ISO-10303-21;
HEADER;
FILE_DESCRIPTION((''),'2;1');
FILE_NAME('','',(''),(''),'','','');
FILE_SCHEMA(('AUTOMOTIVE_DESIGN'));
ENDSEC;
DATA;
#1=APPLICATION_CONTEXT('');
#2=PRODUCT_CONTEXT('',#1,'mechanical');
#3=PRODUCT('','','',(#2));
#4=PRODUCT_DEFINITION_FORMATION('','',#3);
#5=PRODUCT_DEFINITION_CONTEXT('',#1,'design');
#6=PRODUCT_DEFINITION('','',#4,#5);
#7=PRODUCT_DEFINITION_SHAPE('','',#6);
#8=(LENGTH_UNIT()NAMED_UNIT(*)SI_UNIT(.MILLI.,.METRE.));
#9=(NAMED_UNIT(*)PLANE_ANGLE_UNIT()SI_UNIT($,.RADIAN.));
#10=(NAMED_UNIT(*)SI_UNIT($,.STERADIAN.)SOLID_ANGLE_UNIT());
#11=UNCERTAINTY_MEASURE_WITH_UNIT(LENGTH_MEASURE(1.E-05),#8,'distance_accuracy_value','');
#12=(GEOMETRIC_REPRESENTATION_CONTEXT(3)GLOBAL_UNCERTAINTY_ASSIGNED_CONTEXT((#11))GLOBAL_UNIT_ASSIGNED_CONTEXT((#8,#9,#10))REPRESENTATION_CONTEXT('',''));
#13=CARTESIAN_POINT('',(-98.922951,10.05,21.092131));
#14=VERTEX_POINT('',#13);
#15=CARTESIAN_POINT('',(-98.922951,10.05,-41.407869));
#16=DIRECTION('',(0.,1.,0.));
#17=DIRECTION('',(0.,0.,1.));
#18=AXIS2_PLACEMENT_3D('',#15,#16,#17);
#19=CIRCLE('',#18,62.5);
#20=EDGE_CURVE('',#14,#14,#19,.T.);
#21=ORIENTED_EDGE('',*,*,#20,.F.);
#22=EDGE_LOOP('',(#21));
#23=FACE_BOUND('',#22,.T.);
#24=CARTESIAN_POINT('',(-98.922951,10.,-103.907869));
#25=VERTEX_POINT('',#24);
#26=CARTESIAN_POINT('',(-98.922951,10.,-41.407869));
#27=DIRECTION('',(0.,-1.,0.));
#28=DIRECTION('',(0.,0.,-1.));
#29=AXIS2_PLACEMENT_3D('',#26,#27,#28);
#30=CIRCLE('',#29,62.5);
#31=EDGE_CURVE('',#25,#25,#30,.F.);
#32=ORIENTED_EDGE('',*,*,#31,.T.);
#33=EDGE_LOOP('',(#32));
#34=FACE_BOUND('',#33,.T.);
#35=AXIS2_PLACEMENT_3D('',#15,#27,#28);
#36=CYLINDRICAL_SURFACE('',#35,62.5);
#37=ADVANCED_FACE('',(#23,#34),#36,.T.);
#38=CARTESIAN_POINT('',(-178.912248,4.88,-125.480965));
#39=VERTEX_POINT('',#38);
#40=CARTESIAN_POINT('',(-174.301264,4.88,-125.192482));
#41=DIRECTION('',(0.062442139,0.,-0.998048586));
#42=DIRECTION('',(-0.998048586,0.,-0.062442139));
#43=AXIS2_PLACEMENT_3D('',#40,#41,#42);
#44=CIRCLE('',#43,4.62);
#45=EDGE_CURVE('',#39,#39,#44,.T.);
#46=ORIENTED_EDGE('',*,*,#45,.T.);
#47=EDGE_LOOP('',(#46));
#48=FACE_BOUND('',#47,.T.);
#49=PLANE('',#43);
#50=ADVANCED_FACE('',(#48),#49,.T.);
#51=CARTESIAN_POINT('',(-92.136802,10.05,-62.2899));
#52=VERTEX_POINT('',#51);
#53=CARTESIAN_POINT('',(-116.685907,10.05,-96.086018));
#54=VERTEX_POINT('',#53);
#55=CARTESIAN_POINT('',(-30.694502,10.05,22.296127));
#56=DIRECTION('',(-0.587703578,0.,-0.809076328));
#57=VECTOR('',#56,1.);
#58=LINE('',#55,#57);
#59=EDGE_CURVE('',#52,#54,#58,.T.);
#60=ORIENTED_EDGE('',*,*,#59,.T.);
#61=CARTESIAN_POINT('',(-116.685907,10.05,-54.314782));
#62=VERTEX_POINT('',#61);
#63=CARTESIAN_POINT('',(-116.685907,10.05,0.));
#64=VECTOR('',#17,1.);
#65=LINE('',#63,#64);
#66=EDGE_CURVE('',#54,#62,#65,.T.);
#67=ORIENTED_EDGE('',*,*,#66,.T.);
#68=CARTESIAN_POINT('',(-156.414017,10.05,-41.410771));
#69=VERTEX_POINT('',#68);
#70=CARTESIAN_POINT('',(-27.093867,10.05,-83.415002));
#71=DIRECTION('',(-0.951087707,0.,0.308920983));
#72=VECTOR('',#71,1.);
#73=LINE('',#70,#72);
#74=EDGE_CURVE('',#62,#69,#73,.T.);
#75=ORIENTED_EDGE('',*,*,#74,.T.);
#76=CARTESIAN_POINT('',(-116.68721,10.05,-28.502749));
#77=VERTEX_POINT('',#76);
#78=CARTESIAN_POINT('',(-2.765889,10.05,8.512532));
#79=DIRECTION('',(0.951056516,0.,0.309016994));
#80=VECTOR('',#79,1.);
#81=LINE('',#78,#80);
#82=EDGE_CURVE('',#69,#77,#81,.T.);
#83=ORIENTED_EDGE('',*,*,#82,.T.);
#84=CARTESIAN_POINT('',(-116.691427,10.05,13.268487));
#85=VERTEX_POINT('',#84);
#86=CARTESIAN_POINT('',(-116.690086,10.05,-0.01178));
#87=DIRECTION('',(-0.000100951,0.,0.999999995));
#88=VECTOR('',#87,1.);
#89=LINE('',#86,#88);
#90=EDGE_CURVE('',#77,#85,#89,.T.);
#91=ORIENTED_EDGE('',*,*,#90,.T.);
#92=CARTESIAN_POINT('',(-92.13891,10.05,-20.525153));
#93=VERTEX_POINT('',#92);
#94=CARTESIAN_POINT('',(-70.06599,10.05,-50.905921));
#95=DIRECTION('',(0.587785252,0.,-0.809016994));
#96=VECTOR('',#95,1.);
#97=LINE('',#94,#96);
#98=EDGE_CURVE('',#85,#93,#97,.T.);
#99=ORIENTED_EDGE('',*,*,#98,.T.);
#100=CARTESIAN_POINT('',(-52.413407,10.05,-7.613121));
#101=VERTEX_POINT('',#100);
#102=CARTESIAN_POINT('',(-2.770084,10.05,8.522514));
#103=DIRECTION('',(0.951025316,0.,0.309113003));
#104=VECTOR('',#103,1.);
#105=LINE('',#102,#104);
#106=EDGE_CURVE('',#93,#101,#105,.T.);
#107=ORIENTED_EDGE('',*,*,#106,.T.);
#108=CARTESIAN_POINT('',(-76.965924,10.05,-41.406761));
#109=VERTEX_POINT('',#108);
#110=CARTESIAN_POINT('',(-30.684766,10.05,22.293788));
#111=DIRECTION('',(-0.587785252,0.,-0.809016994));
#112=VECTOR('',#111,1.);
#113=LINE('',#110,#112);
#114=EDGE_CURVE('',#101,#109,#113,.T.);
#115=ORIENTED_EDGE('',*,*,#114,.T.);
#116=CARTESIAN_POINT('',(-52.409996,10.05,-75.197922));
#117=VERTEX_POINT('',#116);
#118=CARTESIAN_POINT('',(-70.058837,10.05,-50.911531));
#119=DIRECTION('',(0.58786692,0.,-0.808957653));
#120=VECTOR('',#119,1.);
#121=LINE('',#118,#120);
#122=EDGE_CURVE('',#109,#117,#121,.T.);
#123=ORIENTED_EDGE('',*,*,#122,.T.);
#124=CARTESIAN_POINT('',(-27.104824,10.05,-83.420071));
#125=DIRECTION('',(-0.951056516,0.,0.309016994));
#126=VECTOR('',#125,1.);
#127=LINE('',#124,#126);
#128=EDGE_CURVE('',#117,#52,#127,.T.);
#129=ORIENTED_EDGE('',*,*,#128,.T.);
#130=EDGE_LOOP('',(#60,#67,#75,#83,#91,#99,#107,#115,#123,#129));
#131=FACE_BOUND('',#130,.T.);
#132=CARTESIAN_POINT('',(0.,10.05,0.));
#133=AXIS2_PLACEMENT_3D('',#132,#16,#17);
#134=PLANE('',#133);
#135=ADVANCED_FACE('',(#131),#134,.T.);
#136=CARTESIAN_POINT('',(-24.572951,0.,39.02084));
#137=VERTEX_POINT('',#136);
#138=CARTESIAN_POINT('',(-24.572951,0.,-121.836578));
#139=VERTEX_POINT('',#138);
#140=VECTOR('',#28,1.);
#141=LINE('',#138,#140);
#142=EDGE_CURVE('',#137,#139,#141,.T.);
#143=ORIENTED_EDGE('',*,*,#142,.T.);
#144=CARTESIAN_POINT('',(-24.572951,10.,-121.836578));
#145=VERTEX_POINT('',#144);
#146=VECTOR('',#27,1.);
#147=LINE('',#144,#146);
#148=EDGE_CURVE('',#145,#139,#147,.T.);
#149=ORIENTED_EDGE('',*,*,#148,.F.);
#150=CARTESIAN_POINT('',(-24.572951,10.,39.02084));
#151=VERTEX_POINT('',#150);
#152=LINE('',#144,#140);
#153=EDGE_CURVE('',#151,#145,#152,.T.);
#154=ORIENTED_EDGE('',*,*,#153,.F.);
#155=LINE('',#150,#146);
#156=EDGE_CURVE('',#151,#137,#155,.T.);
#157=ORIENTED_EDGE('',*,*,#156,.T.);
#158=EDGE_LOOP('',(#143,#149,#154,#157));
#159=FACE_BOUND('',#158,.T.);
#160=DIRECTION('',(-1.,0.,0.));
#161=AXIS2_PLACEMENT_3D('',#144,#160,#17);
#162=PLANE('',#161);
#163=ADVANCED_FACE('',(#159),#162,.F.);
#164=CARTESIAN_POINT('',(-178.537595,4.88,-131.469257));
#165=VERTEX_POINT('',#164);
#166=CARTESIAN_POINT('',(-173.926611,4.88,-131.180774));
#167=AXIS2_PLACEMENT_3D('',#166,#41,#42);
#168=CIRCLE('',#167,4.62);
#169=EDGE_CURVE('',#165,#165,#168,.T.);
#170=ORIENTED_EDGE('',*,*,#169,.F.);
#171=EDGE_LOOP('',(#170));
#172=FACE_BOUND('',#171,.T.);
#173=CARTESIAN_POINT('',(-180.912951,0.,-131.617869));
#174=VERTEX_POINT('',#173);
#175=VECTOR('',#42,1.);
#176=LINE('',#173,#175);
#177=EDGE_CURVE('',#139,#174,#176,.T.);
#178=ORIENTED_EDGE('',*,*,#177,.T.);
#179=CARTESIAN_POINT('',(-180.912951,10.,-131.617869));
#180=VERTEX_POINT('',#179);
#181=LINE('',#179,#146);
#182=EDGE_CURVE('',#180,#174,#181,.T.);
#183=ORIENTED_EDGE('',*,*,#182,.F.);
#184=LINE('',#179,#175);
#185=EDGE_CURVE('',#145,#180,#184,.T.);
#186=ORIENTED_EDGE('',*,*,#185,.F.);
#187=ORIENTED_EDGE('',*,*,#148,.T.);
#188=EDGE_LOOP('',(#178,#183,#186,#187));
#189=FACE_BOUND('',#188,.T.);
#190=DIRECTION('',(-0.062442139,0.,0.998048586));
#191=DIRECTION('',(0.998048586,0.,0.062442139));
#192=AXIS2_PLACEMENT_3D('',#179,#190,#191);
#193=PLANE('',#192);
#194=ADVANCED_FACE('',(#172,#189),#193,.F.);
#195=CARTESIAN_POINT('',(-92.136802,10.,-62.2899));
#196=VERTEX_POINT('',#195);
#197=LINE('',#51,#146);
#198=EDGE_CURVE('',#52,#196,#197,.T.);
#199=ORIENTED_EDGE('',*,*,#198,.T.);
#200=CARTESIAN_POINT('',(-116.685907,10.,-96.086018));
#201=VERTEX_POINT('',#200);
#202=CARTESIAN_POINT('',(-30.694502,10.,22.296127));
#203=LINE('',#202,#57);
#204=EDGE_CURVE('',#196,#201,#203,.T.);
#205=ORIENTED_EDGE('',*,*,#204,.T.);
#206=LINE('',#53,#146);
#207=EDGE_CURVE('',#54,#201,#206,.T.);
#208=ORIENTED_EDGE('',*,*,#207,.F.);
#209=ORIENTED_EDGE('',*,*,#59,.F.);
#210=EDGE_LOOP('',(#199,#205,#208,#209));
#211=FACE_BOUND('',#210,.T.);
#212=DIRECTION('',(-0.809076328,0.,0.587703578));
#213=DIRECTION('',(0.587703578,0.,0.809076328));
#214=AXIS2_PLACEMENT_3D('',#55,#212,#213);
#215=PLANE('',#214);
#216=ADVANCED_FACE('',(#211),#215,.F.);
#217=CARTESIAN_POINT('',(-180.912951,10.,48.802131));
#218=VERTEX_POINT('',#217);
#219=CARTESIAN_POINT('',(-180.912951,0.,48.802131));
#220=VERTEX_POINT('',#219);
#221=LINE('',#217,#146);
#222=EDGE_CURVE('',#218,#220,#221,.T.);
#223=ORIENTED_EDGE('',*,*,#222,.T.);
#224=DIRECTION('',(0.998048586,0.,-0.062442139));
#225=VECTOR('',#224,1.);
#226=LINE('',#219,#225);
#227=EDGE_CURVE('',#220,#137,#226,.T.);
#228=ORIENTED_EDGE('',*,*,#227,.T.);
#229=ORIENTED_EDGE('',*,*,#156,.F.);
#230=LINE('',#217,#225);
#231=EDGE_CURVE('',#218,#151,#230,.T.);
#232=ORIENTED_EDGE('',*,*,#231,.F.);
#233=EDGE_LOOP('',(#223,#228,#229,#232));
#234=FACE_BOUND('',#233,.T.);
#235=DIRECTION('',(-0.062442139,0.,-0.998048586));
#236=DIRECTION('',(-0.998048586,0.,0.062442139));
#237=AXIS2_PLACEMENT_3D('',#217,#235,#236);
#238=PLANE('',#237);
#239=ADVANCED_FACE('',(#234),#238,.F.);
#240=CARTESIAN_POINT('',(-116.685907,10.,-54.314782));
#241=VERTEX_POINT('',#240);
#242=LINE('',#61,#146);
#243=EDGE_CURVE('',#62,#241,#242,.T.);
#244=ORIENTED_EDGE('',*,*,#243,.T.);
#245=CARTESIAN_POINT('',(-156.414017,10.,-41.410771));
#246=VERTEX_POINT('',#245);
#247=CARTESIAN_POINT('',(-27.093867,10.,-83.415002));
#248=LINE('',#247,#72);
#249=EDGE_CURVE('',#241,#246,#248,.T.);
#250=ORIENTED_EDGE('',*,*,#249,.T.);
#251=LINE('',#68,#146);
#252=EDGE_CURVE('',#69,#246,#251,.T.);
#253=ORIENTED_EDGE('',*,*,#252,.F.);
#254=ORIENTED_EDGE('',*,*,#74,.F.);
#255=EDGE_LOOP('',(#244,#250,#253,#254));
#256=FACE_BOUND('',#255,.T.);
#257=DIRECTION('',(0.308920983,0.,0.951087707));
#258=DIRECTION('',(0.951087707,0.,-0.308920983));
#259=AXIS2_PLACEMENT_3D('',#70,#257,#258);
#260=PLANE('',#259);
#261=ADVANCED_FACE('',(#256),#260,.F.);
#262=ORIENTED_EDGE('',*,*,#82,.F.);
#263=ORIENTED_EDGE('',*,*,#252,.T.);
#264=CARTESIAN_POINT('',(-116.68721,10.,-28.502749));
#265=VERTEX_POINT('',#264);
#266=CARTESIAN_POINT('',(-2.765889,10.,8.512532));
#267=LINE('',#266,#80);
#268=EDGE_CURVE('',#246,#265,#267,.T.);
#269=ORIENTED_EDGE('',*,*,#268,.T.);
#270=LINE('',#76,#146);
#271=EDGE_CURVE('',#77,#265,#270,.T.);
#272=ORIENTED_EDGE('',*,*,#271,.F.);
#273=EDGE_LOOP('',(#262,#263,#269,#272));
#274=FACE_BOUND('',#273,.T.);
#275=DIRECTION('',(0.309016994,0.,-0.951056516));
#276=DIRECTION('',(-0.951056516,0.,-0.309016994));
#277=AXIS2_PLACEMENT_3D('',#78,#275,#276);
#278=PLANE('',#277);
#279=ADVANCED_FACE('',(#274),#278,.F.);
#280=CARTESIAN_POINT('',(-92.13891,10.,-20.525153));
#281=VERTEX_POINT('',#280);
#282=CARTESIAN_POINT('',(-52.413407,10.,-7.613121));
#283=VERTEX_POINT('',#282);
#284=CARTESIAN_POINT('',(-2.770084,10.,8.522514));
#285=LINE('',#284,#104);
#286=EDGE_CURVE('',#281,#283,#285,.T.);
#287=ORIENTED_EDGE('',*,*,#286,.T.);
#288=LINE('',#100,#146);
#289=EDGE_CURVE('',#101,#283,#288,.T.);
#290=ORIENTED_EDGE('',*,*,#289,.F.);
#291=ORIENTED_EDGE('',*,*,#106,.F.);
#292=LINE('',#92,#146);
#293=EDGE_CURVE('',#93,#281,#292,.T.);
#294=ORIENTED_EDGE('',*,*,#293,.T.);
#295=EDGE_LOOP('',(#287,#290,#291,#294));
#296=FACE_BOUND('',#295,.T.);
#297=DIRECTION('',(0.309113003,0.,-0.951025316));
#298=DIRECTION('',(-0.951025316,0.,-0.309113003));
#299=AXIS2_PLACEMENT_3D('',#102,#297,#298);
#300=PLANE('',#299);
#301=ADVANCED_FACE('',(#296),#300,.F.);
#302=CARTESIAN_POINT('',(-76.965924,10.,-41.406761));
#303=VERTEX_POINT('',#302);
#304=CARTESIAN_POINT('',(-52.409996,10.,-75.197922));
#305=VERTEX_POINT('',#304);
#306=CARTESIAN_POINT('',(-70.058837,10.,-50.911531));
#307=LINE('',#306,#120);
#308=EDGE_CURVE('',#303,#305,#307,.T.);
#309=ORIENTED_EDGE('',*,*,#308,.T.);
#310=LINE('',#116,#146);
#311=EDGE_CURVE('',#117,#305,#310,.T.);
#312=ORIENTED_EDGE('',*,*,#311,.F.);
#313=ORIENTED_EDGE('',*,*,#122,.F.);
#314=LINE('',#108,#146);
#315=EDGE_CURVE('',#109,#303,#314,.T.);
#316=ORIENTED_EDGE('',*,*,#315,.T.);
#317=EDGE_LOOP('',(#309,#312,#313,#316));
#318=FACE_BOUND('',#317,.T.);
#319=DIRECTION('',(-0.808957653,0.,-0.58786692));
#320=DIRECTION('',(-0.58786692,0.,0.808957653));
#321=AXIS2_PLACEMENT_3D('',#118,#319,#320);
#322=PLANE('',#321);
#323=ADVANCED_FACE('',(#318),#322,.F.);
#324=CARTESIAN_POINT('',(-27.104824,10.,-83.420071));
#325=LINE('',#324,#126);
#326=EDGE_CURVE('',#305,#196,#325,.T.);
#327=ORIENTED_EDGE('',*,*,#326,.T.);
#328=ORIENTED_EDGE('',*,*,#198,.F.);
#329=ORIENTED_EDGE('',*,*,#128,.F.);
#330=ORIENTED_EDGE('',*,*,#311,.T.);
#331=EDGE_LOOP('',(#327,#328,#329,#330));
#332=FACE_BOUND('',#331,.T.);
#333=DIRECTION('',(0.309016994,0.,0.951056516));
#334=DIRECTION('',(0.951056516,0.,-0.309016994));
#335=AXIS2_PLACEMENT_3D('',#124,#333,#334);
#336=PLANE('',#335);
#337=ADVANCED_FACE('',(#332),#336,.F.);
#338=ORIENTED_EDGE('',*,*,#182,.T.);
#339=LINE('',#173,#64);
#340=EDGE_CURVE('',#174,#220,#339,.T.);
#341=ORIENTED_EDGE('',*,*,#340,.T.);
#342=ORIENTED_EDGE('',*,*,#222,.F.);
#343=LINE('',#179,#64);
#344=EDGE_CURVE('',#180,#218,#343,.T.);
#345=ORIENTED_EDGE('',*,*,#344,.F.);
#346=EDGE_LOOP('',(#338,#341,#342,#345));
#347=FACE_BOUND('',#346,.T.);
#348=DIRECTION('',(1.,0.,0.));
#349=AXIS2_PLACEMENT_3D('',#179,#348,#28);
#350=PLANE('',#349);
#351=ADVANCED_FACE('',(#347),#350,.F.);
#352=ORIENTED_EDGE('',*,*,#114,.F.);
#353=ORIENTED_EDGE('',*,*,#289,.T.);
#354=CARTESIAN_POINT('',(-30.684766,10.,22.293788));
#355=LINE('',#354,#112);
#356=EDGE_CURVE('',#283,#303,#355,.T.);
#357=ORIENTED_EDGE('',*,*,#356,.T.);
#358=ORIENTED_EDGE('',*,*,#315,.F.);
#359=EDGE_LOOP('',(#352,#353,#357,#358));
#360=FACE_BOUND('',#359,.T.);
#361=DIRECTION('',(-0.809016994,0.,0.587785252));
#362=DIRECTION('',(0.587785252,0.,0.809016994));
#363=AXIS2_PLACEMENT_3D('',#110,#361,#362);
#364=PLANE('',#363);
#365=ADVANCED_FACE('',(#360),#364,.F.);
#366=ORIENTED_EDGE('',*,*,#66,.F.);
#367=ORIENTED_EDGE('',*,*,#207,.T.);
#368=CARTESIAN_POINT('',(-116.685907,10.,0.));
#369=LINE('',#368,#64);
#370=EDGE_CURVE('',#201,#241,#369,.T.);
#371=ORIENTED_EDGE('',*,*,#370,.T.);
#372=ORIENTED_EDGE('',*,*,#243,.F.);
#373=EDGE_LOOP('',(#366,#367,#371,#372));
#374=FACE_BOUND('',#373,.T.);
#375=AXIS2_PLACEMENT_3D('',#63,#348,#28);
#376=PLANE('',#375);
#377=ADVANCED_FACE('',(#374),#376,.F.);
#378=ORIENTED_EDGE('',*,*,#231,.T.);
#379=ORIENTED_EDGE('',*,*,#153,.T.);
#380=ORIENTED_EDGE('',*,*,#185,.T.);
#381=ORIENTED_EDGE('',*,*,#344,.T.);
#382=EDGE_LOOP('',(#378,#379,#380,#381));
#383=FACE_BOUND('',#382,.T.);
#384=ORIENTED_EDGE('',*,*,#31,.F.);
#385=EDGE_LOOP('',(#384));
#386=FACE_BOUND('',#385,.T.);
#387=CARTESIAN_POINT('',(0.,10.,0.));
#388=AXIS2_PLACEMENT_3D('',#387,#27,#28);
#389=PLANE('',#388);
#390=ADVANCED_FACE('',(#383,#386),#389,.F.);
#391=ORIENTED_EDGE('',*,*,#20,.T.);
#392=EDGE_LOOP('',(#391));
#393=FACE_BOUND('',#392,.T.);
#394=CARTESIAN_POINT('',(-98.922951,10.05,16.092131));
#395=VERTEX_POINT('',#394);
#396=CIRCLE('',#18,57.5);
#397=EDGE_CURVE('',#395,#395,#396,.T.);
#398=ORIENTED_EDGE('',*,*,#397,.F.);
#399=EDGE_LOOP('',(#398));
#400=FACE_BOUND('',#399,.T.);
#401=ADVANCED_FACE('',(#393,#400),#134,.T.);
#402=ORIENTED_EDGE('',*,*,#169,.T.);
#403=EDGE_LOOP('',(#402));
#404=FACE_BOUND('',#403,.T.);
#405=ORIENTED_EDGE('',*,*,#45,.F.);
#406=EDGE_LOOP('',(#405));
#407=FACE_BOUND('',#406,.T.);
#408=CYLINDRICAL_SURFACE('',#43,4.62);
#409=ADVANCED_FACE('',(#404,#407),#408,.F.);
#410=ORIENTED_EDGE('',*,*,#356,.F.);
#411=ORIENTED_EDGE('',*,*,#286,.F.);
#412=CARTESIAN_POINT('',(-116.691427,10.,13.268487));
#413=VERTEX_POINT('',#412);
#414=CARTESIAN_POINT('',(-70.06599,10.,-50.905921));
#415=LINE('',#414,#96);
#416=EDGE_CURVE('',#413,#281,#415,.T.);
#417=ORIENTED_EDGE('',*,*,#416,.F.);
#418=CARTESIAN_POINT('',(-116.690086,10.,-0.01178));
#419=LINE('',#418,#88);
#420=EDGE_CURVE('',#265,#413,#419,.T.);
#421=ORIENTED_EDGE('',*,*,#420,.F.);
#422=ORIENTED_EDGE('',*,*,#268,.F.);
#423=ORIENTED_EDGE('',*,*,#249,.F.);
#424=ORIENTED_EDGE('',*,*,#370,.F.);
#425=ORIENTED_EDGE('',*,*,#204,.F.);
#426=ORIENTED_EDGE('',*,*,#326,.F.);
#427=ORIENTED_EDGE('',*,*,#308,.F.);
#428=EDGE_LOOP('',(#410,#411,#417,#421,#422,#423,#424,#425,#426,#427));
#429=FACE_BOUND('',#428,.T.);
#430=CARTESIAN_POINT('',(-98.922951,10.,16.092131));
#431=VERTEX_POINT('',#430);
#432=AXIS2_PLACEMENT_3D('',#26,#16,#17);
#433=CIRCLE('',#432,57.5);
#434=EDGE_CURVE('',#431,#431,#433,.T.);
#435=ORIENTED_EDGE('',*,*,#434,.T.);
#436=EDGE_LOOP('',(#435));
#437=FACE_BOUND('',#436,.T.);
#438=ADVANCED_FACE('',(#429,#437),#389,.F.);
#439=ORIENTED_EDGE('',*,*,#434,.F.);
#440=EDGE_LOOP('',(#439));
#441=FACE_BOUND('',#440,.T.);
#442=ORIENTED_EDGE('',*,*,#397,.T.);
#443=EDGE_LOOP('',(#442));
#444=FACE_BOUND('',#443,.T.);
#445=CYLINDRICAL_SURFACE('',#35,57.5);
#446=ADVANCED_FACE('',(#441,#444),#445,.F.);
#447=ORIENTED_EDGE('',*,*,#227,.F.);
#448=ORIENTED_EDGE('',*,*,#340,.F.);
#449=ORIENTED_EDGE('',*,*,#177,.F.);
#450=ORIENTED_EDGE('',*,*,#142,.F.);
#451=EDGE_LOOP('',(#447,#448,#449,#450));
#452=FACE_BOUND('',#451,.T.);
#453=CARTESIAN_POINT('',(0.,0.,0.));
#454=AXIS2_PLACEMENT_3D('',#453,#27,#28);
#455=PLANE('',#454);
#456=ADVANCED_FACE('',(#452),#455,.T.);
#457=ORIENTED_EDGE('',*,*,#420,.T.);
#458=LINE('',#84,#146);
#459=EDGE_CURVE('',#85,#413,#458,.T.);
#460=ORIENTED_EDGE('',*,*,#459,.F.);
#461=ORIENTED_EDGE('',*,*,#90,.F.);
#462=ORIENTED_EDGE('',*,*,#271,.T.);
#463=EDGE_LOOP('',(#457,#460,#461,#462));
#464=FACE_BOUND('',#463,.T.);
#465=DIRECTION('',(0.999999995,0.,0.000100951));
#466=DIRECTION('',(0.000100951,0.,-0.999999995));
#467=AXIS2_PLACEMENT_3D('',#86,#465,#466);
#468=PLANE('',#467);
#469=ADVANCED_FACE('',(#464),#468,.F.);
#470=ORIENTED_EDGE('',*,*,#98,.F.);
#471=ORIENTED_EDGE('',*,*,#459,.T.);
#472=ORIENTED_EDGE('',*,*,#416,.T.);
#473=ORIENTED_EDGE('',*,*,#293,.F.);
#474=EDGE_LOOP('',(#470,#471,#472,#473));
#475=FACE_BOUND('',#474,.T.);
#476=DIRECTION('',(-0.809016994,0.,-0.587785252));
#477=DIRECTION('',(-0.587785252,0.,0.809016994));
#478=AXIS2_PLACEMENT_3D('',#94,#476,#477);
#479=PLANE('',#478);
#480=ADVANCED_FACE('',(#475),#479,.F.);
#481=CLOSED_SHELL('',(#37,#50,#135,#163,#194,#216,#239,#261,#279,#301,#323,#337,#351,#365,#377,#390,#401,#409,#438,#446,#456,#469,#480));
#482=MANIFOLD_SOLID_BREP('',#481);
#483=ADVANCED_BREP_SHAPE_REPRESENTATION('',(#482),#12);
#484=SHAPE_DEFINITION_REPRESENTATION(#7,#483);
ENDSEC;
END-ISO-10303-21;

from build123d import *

# Parameters (mm, degrees)
BOSS_EXTRUDE1_DEPTH = 10
SKETCH3_R           = 4.62
CUT_EXTRUDE3_DEPTH  = 6
SKETCH4_R           = 62.5
SKETCH4_R_2         = 57.5
BOSS_EXTRUDE2_DEPTH = 0.05


with BuildPart() as part:
    # Sketch1 → Boss-Extrude1 (new body)
    with BuildSketch(Plane(origin=(0, 0, 0), x_dir=(1, 0, 0), z_dir=(0, 1, 0))):
        Polygon((-180.91295082, 131.617868852), (-180.91295082, -48.802131148), (-24.57295082, -39.020839837), (-24.57295082, 121.836577542), align=None)
    extrude(amount=BOSS_EXTRUDE1_DEPTH)

    # Sketch3 → Cut-Extrude3 (cut)
    with BuildSketch(Plane(origin=(7.497080179, 0, -119.83014083), x_dir=(-0.9980485856506585, 0, -0.062442138662287344), z_dir=(0.062442138662287344, 0, -0.9980485856506585))):
        with Locations((181.778415909, 4.88)):
            Circle(SKETCH3_R)
    extrude(amount=-CUT_EXTRUDE3_DEPTH, mode=Mode.SUBTRACT)

    # Sketch4 → Boss-Extrude2 (add)
    # profile 1 of 2: a face of its own
    with BuildSketch(Plane(origin=(0, 10, 0), x_dir=(1, 0, 0), z_dir=(0, 1, 0))):
        with Locations(Location((-98.92295082, 41.407868852, 0), (0, 0, 90))):
            Circle(SKETCH4_R)
        with Locations(Location((-98.92295082, 41.407868852, 0), (0, 0, 270))):
            Circle(SKETCH4_R_2, mode=Mode.SUBTRACT)
    # profile 2 of 2: a face of its own
    with BuildSketch(Plane(origin=(0, 10, 0), x_dir=(1, 0, 0), z_dir=(0, 1, 0))):
        Polygon((-76.965923859, 41.406760564), (-52.409995832, 75.197921831), (-92.136802298, 62.289899942), (-116.685907341, 96.086018397), (-116.685907341, 54.314782109), (-156.414016678, 41.410770734), (-116.687210213, 28.502748845), (-116.691427048, -13.26848723), (-92.138910388, 20.525152803), (-52.413407199, 7.613120531), align=None)
    extrude(amount=BOSS_EXTRUDE2_DEPTH)


solid = part.part
